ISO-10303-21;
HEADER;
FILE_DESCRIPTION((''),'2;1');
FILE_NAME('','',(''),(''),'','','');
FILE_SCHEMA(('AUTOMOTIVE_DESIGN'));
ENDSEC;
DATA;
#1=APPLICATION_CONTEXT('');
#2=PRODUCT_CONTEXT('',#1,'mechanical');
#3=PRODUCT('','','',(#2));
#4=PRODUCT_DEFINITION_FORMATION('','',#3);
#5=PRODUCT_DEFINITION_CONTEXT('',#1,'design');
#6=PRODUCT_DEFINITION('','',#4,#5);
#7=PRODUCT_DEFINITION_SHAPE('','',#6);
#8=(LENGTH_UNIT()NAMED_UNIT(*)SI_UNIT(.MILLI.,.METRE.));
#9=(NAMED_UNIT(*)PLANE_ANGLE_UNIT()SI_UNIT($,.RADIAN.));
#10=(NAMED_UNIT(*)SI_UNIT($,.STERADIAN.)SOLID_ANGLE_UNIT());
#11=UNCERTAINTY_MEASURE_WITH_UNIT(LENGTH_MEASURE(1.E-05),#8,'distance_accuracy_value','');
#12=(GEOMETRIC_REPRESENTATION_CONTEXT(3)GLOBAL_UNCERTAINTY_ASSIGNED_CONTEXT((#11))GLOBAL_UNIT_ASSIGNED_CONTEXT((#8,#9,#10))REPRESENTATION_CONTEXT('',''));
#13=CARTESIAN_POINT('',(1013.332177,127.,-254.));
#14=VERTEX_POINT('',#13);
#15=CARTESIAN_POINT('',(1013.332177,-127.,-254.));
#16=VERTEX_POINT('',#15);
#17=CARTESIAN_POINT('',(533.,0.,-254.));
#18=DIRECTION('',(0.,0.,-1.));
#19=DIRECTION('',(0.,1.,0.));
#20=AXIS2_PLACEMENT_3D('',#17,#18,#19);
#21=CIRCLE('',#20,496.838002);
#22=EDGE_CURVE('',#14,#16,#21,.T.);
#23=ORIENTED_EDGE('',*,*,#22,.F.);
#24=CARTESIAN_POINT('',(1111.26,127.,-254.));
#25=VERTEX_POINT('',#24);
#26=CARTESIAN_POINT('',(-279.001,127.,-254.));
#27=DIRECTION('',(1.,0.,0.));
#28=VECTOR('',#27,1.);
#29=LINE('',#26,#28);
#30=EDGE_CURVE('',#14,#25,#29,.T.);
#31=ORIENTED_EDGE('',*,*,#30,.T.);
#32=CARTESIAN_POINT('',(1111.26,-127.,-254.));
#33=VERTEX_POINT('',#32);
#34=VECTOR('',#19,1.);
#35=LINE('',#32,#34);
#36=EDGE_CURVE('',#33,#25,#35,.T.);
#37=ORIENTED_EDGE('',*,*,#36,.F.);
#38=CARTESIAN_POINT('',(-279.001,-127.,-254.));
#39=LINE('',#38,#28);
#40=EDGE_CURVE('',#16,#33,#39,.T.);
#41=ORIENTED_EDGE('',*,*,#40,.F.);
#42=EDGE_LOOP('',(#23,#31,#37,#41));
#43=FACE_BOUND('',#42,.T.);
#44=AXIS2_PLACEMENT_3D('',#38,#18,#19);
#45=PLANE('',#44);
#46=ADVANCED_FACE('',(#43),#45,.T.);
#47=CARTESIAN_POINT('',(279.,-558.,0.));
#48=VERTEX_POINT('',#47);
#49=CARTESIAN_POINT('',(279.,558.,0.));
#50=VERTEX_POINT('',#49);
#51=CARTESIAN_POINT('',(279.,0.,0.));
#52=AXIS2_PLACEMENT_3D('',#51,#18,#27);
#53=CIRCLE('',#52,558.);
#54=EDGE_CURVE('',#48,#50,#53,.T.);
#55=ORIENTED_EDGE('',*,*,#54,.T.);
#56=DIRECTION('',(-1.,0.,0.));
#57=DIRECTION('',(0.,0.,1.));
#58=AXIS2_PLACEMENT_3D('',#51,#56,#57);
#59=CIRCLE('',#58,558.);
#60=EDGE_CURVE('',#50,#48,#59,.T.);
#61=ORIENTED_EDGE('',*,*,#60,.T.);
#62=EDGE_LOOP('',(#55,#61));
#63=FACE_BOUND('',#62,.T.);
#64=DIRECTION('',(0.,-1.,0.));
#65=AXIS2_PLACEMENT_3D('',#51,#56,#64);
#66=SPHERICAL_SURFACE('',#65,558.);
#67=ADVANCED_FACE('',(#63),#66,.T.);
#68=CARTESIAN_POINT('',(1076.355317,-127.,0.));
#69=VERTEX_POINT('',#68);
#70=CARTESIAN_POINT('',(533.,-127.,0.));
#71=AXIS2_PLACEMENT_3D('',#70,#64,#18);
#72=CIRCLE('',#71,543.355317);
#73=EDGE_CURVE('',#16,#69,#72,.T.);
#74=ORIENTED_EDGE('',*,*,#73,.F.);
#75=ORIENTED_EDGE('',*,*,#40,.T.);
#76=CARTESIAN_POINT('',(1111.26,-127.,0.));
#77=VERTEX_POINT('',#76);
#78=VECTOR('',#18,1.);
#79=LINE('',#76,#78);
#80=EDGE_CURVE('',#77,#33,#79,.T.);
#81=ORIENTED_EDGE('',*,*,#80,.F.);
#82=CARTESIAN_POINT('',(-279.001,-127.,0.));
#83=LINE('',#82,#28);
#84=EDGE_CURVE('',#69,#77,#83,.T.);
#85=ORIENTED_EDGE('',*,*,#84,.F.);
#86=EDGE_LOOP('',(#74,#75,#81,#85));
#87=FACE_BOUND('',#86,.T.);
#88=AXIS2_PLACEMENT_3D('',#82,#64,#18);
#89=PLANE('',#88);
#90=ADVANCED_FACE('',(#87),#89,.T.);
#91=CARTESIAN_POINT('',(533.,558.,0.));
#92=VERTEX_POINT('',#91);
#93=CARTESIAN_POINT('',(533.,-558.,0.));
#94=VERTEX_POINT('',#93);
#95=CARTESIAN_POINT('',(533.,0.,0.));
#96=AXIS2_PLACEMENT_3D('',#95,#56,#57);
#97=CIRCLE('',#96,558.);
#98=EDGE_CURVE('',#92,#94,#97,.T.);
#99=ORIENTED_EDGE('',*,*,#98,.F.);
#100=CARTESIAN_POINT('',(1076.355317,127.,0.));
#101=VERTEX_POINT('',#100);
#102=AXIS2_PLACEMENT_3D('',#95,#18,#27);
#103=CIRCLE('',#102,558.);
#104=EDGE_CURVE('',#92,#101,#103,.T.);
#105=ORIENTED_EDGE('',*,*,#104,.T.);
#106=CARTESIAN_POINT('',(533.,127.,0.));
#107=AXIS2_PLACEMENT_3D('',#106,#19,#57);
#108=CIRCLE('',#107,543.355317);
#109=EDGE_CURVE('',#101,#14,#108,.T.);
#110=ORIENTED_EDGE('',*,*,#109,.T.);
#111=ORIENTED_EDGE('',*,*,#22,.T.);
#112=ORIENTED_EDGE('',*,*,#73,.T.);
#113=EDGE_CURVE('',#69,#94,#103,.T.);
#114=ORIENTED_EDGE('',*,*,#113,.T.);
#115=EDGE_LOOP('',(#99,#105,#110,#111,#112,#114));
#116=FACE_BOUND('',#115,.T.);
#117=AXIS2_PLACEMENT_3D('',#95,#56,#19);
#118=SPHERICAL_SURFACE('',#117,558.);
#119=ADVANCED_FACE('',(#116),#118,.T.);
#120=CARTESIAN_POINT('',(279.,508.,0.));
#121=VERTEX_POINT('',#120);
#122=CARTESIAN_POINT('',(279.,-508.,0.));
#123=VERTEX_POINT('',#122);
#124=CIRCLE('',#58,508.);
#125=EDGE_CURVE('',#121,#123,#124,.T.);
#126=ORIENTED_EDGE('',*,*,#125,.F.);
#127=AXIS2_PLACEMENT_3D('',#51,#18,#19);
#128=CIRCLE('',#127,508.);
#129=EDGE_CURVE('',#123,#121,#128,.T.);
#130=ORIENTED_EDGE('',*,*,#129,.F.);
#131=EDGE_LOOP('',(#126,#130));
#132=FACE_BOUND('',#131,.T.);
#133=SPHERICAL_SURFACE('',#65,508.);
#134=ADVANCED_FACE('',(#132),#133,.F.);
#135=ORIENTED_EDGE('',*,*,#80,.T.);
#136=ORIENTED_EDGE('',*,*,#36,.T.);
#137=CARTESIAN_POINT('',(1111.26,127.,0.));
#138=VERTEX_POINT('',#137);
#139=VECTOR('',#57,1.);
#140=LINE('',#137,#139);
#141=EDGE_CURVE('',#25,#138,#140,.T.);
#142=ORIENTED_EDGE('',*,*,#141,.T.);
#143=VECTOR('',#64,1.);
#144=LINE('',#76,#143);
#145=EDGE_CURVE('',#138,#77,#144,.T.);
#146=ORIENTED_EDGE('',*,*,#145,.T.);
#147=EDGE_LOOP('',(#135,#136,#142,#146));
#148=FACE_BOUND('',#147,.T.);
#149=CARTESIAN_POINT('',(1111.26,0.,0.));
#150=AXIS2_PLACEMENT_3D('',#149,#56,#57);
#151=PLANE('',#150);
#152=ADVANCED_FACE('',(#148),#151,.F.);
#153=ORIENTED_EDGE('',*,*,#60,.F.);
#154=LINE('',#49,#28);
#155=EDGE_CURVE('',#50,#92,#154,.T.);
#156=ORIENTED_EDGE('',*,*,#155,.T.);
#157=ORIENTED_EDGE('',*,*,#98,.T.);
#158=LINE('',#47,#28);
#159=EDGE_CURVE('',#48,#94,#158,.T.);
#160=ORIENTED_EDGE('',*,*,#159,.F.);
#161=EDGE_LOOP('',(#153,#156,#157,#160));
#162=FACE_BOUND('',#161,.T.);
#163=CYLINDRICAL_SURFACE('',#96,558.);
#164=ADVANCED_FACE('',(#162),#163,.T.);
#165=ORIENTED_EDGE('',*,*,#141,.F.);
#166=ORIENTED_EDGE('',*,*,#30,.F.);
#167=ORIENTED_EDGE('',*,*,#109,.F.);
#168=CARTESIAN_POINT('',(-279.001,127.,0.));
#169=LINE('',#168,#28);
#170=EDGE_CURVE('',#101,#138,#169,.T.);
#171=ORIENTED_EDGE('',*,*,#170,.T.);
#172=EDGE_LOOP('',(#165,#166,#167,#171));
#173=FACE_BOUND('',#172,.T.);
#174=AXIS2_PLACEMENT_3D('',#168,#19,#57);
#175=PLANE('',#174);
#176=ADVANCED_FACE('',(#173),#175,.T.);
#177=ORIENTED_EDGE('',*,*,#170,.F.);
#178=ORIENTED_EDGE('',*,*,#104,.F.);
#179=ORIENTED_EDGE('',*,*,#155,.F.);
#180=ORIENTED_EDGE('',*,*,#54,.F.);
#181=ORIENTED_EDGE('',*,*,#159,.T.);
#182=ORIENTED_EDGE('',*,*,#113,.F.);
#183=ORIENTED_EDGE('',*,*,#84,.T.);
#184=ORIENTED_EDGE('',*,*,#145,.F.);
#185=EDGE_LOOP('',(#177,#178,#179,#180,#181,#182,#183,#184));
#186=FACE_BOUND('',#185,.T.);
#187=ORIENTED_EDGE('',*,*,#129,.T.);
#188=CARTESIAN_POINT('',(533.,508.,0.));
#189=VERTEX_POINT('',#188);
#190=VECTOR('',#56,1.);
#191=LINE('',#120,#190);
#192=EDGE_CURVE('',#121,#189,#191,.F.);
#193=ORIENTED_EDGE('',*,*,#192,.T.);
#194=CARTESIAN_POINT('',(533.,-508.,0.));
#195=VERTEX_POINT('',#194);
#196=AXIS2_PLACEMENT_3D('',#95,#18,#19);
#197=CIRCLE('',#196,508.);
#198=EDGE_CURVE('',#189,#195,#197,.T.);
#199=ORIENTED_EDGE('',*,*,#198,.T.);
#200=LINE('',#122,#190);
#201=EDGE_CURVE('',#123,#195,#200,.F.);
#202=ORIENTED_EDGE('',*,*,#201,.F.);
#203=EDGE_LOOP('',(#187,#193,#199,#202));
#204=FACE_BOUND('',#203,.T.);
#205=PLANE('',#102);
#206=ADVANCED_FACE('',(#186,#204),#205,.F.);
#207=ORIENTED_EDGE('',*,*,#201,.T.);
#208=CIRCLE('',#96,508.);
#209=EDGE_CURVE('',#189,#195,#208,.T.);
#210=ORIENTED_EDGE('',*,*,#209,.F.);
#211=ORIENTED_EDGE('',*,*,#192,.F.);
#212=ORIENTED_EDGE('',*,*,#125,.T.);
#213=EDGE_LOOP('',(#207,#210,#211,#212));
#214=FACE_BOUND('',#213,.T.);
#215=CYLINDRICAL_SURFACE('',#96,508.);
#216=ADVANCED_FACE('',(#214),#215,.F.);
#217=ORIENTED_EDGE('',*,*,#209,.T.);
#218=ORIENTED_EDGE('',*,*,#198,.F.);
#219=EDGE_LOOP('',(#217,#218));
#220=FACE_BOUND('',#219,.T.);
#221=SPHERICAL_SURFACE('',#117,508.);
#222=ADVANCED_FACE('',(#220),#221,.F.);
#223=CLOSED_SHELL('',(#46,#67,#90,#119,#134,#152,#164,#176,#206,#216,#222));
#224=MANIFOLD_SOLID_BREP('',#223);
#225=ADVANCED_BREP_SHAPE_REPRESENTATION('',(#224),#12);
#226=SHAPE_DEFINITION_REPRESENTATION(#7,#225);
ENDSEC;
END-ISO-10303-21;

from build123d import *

# Parameters (mm, degrees)
REVOLVE1_ANGLE           = 180
SHELL1_T                 = -50
BOSS_EXTRUDE2_REACH      = 1600.609
BOSS_EXTRUDE2_END_RADIUS = 558
SKETCH5_W                = 254
SKETCH5_H                = 254


with BuildPart() as part:
    # Sketch2 → Revolve1 (revolve)
    with BuildSketch(Plane.XY):
        with BuildLine():
            Line((-279, 0), (279, 0))
            Line((279, 0), (533, 0))
            Line((533, 0), (1091, 0))
            ThreePointArc((1091, 0), (927.565583902, -394.565583902), (533, -558))
            Line((533, -558), (279, -558))
            ThreePointArc((279, -558), (-115.565583902, -394.565583902), (-279, 0))
        make_face()
    revolve(axis=Axis((533, 0, 0), (1, 0, 0)), revolution_arc=REVOLVE1_ANGLE)

    # Shell1
    shell1_openings = [part.faces().sort_by_distance(p)[0] for p in [
        (406, 0, 0),
    ]]
    offset(amount=SHELL1_T, openings=shell1_openings)

    # Boss-Extrude2: up to this sphere (the profile starts outside it)
    boss_extrude2_end = Location((533, 0, 0)) * Sphere(BOSS_EXTRUDE2_END_RADIUS, mode=Mode.PRIVATE)
    # Sketch5 → Boss-Extrude2 (add, up to the surface)
    with BuildSketch(Plane(origin=(1111.26, 0, 0), x_dir=(0, 0, -1), z_dir=(1, 0, 0)), mode=Mode.PRIVATE) as boss_extrude2_sk1:
        with Locations((127, 0)):
            Rectangle(SKETCH5_W, SKETCH5_H)
    boss_extrude2_tool1 = extrude(boss_extrude2_sk1.sketch, amount=-BOSS_EXTRUDE2_REACH, mode=Mode.PRIVATE) - boss_extrude2_end
    add(boss_extrude2_tool1.solids().sort_by_distance((1111.26, 0, -127))[0])


solid = part.part
